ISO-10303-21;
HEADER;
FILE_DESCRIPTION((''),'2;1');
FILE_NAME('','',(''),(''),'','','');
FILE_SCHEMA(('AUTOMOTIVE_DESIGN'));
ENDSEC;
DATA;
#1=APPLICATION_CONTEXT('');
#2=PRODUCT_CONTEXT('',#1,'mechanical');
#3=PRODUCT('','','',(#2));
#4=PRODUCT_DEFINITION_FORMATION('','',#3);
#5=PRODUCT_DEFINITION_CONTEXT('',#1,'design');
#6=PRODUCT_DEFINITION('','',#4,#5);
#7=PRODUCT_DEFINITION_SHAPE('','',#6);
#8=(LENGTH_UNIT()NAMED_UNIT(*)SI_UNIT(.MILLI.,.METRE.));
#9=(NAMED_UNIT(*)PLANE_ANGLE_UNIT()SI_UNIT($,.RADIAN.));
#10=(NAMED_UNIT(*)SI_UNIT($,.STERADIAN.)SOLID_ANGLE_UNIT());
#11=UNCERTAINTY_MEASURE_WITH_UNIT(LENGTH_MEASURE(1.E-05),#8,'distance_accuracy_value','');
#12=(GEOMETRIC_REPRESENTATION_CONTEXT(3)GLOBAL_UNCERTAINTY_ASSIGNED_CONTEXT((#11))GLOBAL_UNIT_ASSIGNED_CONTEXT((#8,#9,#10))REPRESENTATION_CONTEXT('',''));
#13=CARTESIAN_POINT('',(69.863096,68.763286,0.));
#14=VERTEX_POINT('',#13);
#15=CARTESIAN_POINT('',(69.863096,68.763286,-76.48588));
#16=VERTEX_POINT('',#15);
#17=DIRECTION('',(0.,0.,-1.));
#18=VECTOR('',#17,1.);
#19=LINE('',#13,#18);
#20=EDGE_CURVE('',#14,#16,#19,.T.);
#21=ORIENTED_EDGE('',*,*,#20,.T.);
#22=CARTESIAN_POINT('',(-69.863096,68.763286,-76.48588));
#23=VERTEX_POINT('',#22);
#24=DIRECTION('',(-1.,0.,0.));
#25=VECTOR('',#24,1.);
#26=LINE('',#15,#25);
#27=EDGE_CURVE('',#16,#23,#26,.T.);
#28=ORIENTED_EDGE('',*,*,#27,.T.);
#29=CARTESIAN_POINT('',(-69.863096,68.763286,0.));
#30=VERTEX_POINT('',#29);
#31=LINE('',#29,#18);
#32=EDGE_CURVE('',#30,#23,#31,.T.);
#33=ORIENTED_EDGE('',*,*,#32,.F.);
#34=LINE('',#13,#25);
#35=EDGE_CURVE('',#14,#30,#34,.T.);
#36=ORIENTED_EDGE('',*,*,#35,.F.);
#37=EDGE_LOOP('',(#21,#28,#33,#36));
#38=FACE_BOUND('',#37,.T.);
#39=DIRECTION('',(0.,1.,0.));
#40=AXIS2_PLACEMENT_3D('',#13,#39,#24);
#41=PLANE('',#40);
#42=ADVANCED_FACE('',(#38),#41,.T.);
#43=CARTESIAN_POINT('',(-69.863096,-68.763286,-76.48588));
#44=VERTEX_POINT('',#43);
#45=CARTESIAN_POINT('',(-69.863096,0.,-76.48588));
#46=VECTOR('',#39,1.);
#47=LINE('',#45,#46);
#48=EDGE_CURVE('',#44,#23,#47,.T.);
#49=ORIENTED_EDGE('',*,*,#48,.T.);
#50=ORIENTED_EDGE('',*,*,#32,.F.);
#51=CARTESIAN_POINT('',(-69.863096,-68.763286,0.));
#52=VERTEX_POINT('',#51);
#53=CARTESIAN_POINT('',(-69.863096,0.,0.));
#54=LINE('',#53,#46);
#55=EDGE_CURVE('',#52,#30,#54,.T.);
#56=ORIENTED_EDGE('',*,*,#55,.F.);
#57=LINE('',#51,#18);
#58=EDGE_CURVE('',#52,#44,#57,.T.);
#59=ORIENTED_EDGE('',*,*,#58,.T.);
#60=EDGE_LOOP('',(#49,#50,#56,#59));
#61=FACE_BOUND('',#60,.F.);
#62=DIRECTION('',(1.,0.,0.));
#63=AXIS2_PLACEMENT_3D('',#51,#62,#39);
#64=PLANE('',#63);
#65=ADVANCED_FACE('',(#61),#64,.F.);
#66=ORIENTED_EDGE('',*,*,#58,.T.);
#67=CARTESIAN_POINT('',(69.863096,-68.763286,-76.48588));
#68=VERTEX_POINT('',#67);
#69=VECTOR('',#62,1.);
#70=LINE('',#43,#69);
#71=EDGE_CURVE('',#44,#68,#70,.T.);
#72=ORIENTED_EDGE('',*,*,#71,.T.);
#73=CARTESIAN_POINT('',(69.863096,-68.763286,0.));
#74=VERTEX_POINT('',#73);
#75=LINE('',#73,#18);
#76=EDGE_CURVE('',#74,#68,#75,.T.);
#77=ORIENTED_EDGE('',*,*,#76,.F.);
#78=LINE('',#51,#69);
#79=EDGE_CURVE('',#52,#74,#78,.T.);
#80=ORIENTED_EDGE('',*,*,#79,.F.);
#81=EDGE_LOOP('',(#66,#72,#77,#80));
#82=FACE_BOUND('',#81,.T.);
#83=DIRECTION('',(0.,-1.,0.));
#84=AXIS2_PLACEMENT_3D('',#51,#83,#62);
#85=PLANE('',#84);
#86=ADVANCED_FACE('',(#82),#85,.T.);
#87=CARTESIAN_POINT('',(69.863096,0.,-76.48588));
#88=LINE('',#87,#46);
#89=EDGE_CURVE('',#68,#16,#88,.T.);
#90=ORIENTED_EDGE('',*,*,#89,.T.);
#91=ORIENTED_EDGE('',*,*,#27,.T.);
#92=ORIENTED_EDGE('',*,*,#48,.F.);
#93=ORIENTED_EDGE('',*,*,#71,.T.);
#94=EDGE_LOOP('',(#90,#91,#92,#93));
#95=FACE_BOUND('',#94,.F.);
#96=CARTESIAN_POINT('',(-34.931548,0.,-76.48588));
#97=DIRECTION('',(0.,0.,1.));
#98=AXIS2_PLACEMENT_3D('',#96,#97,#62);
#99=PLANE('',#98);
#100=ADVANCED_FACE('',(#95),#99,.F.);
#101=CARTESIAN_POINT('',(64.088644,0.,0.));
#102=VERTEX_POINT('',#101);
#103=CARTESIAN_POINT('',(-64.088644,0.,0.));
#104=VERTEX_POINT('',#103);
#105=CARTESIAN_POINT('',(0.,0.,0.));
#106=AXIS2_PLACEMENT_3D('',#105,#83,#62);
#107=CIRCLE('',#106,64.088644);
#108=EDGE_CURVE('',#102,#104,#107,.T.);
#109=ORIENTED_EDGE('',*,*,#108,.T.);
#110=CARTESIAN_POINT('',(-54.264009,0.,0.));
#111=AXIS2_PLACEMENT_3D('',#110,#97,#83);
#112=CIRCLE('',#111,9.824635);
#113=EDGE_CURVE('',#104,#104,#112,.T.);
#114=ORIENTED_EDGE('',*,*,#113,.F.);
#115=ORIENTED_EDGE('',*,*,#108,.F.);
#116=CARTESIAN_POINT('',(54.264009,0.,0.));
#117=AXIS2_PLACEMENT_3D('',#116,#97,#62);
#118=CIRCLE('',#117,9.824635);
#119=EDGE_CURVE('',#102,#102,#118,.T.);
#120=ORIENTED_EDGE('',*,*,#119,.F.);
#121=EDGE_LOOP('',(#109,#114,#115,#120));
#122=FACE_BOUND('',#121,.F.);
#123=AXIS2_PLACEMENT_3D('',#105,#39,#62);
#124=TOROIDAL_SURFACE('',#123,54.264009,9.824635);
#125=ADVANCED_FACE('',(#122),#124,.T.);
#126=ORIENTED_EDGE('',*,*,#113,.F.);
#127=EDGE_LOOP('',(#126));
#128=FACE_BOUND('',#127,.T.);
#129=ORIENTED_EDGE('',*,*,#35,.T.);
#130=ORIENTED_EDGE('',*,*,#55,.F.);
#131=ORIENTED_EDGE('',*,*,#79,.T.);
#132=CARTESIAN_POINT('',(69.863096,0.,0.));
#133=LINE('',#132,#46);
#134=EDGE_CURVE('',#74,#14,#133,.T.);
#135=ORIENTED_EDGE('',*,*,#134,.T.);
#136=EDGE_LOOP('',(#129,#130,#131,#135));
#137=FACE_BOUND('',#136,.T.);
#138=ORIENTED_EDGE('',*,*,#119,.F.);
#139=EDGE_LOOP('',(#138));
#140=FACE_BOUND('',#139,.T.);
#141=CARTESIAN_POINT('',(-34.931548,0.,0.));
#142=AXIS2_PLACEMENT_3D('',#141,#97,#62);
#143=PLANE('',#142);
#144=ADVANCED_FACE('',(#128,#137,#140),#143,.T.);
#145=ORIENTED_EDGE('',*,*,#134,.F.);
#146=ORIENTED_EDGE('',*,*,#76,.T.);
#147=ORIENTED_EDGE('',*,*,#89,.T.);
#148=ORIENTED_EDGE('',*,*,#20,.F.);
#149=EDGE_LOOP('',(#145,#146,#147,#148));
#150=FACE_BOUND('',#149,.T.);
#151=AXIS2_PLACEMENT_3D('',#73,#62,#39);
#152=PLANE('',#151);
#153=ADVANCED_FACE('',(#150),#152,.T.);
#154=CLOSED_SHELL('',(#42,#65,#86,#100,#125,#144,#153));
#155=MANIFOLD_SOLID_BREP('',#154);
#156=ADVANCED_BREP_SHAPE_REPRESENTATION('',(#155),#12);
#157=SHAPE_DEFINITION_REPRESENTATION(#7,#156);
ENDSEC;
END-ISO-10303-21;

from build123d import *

# Parameters (mm, degrees)
F1_R     = 9.824635
F2_ANGLE = 180.824996
F0_W     = 69.863096
F0_H     = 137.526572
F3_DEPTH = 76.48588


with BuildPart() as f2:
    # F1 (on Top) → F2 (revolve)
    with BuildSketch(Plane.XY):
        with Locations((54.264009, 0)):
            Circle(F1_R)
    revolve(axis=Axis((0, 0, 0), (0, -1, 0)), revolution_arc=F2_ANGLE)

    # F0 (on Top) → F3 (join)
    with BuildSketch(Plane.XY):
        with Locations((-34.931548, 0)):
            Rectangle(F0_W, F0_H)
        with Locations((34.931548, 0)):
            Rectangle(F0_W, F0_H)
    extrude(amount=-F3_DEPTH)


solid = f2.part
